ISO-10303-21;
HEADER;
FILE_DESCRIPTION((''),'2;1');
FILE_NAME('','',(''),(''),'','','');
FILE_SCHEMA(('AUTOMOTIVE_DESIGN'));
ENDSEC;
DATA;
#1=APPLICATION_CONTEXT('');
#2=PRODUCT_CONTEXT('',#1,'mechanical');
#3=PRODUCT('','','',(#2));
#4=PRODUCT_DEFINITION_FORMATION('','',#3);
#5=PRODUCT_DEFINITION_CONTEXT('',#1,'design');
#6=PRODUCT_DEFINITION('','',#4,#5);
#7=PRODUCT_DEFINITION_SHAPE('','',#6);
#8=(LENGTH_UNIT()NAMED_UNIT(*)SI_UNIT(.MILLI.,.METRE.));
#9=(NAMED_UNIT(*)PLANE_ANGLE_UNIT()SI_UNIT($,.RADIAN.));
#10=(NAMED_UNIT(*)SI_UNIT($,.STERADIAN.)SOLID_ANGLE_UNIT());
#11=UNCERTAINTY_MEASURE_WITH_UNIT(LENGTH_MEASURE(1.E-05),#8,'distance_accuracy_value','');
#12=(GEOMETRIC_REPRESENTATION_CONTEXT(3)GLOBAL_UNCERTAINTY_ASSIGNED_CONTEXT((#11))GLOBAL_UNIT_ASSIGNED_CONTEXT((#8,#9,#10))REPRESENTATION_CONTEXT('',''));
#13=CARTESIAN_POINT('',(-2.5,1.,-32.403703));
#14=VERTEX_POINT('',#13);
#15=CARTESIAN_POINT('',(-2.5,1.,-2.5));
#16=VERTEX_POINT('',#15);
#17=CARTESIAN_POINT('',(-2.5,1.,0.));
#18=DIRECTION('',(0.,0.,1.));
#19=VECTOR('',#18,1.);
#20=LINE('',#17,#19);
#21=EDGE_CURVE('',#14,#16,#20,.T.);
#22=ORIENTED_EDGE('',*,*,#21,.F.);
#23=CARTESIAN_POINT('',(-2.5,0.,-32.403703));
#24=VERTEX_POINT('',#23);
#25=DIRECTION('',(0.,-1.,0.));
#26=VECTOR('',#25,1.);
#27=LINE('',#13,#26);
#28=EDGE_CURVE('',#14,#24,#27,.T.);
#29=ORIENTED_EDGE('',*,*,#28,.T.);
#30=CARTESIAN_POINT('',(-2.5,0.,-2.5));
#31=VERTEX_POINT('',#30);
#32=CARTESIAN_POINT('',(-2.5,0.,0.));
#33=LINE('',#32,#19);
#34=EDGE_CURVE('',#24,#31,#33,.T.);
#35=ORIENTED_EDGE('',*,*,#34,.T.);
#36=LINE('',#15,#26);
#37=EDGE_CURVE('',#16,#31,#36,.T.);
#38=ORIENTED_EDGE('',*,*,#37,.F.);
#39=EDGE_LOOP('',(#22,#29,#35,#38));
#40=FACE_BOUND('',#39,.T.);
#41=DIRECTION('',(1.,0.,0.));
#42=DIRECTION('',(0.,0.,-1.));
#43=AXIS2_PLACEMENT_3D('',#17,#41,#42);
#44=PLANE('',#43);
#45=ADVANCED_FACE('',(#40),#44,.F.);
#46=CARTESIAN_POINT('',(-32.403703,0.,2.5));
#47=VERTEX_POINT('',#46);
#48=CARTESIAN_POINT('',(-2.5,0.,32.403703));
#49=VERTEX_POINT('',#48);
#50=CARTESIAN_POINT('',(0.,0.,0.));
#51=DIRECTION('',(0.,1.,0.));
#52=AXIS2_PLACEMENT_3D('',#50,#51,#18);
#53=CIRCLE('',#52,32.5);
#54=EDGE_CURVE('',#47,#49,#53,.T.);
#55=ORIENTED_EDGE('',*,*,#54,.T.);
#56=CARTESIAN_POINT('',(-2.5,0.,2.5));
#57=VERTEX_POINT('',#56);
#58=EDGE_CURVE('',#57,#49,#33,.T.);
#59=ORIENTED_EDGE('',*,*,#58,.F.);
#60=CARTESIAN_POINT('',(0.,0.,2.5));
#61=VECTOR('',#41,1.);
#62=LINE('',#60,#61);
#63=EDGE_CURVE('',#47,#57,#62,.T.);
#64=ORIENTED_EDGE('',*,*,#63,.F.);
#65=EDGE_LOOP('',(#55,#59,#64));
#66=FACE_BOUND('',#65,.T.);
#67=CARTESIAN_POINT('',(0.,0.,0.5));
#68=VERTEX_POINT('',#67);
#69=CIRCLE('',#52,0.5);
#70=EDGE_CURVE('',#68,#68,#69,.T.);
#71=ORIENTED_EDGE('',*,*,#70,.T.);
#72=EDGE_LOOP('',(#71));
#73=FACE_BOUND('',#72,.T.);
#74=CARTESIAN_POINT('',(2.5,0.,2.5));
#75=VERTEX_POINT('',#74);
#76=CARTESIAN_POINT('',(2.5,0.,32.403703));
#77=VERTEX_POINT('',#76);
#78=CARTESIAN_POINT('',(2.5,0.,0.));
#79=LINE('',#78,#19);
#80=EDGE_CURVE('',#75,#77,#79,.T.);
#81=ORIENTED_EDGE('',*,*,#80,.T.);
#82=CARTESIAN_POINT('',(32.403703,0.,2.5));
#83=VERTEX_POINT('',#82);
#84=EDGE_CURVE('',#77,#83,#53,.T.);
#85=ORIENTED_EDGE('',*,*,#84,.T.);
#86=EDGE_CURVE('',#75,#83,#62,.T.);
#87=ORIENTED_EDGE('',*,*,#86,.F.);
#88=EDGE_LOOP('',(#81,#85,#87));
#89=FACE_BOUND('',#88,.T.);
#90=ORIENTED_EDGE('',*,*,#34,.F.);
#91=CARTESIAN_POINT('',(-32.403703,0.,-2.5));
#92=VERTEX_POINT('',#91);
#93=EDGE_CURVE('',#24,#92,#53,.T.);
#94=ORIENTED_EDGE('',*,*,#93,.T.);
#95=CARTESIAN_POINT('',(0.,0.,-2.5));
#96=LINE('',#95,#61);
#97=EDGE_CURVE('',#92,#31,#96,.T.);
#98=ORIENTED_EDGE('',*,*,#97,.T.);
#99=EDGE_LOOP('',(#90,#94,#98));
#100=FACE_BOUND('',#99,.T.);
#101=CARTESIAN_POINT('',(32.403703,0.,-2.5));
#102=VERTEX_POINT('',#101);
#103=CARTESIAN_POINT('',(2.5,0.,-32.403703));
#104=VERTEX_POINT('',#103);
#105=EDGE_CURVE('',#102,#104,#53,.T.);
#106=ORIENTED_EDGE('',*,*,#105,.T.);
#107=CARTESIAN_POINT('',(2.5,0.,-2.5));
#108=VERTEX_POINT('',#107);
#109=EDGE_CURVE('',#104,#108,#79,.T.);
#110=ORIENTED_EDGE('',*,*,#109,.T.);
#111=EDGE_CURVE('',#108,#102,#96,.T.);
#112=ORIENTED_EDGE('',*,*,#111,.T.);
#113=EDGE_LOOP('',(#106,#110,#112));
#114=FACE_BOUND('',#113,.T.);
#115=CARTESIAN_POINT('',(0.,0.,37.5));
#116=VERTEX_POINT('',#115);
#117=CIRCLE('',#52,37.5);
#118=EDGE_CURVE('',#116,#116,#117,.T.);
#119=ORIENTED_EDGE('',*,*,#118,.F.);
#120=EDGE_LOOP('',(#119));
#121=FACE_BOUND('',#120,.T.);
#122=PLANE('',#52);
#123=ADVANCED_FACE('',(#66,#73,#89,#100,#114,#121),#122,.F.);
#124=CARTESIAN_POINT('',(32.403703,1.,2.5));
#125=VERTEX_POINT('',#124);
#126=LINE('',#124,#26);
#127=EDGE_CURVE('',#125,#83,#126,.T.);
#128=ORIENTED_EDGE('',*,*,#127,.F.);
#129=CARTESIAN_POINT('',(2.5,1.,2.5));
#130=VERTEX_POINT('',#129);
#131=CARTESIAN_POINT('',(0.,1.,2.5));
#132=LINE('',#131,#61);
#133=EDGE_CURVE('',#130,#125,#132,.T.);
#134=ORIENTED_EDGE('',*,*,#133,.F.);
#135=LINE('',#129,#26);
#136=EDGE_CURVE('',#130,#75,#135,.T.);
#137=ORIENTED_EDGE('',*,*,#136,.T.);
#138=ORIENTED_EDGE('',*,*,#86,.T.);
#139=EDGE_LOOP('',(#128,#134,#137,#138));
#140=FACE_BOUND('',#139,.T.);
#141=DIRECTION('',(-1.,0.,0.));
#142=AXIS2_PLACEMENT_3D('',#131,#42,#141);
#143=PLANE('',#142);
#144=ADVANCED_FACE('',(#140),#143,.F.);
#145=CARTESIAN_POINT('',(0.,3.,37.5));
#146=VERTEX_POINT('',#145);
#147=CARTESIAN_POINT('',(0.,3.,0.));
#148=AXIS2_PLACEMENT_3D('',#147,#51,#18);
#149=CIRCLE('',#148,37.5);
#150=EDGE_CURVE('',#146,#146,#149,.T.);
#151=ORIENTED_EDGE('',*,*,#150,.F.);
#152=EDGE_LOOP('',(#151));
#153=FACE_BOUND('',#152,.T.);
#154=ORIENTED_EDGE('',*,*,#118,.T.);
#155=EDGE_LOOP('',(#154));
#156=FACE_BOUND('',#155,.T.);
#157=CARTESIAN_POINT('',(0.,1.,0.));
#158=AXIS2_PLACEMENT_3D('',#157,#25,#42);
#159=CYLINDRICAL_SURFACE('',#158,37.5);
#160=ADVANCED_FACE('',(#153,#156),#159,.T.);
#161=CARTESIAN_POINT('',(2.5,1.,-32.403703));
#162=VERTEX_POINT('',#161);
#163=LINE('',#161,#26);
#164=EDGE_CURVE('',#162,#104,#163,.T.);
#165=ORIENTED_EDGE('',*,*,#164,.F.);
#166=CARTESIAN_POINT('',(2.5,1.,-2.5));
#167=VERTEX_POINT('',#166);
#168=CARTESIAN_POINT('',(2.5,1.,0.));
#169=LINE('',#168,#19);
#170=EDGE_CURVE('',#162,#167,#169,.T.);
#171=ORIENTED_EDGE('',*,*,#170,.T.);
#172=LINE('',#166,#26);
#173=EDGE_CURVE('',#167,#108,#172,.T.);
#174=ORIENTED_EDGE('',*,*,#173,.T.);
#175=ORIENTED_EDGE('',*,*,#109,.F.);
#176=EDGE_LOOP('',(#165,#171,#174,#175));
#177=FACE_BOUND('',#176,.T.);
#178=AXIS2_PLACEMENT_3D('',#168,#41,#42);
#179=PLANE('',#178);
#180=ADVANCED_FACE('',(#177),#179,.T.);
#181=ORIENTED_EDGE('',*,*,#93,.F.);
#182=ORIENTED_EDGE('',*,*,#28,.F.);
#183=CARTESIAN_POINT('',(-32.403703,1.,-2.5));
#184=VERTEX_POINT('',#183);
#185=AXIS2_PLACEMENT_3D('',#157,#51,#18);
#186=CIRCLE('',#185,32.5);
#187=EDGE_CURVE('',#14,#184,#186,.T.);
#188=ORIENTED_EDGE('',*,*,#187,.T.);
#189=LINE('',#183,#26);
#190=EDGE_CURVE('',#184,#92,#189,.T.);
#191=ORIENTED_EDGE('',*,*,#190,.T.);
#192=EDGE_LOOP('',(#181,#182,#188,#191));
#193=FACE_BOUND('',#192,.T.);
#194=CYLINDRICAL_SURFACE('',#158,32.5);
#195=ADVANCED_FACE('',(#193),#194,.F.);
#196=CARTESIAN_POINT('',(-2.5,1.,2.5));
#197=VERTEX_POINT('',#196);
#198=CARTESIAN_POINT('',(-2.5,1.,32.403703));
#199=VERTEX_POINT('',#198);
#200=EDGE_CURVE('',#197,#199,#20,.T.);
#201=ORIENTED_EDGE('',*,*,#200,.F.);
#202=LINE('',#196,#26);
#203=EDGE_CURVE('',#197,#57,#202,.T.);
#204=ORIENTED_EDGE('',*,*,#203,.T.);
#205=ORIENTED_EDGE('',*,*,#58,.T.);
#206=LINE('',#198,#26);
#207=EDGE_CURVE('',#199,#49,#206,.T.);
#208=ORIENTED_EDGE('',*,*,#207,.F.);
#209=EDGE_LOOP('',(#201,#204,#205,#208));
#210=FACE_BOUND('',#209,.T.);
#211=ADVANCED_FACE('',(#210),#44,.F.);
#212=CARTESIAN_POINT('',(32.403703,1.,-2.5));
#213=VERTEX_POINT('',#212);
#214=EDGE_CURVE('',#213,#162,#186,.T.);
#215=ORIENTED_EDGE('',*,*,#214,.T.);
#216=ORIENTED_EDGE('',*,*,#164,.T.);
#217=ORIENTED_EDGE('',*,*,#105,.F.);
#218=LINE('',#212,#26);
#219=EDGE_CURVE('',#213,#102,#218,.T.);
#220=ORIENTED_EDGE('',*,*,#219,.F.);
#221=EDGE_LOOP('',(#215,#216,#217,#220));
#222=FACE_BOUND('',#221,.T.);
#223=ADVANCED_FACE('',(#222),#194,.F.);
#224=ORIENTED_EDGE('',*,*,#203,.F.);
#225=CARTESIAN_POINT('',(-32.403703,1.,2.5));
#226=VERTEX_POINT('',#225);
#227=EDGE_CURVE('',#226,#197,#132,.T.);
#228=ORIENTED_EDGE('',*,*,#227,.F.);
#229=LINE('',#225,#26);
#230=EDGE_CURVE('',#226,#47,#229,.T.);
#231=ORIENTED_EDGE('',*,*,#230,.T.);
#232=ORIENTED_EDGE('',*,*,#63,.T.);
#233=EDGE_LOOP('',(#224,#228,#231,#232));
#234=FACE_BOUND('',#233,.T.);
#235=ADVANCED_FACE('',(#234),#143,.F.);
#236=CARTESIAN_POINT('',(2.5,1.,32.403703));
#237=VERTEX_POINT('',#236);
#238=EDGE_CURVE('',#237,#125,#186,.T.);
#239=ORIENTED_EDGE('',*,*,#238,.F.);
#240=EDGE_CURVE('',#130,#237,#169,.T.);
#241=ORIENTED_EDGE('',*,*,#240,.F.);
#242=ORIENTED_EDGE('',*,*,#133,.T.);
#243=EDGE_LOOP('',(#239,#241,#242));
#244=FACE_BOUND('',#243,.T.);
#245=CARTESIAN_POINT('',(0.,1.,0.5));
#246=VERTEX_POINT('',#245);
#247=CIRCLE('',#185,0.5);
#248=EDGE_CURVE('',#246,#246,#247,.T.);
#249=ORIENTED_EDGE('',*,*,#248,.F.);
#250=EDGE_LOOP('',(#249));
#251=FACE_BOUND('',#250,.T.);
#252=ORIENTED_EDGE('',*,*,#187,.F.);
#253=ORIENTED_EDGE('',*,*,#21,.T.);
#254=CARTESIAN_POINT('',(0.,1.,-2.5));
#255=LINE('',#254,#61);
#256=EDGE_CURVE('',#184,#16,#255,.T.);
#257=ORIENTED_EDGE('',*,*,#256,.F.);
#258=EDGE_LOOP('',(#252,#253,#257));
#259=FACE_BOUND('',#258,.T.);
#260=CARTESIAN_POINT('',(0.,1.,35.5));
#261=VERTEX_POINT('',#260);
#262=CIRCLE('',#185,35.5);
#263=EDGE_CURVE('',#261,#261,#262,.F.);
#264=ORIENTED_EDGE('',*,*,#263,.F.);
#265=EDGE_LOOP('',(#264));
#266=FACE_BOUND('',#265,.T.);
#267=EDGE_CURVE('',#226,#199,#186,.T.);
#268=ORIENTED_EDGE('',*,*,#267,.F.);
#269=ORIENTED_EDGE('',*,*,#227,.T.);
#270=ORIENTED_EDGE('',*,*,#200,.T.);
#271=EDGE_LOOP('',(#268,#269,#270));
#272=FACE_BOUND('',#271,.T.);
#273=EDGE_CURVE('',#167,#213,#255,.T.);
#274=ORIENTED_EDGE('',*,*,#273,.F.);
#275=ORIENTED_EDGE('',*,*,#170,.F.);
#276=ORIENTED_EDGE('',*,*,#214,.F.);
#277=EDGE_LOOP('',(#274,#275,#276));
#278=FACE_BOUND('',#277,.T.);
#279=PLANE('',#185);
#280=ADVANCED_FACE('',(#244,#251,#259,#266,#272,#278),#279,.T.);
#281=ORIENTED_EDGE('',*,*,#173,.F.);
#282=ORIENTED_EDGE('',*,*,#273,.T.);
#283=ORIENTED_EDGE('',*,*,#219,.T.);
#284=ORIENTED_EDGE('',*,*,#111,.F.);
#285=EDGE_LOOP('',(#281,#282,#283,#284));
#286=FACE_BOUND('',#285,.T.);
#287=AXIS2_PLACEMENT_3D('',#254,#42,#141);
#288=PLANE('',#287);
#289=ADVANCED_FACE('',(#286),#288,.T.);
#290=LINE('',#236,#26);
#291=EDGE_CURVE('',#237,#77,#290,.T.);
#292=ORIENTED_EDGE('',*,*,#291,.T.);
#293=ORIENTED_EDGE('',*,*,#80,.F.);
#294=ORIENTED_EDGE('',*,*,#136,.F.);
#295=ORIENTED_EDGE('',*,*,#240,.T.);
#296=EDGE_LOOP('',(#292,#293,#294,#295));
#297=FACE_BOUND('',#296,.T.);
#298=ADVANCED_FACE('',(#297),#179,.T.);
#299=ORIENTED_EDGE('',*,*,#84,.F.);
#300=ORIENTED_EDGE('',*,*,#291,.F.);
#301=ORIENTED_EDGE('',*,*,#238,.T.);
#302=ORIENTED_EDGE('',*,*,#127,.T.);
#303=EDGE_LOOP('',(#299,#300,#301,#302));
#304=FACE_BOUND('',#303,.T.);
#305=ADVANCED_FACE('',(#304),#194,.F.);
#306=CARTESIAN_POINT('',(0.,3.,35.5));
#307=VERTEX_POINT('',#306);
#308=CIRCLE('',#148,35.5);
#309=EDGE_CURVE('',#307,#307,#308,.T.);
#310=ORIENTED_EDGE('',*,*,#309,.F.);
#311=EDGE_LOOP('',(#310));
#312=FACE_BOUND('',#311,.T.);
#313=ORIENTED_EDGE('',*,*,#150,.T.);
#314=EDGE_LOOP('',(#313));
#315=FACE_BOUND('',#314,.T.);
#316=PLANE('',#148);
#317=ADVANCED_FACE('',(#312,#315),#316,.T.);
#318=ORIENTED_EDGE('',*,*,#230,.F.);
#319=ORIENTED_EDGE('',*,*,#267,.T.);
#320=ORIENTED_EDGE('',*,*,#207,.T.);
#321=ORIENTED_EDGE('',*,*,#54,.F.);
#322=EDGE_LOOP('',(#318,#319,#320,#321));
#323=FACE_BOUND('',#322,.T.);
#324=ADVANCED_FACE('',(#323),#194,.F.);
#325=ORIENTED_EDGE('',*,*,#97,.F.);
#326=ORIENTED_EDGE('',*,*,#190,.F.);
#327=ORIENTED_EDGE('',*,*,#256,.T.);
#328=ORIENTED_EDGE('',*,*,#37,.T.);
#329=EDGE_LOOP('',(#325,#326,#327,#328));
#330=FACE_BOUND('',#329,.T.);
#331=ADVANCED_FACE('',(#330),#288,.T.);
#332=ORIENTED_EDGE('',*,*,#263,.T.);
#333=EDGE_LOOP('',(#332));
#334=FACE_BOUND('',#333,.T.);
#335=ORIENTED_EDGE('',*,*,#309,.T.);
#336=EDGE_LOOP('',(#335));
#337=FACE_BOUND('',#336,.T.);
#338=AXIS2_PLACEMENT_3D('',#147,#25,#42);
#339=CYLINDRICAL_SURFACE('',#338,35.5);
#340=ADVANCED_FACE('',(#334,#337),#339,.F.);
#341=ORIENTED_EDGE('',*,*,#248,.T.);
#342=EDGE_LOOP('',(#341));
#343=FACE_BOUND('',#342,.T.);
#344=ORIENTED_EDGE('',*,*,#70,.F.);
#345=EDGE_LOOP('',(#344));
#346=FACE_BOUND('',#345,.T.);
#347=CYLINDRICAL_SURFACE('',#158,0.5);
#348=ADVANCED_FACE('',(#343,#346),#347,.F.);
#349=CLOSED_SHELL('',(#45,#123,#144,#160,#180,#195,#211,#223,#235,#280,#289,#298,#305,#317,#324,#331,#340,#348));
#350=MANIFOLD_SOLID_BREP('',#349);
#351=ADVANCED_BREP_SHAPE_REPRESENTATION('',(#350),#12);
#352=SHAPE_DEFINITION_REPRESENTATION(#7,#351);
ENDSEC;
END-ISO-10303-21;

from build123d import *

# Parameters (mm, degrees)
SKETCH1_R           = 37.5
SKETCH1_R_2         = 32.5
SKETCH1_W           = 5
SKETCH1_H           = 5
SKETCH1_R_3         = 0.5
BOSS_EXTRUDE1_DEPTH = 1
SKETCH2_R           = 37.5
SKETCH2_R_2         = 35.5
BOSS_EXTRUDE2_DEPTH = 2


with BuildPart() as part:
    # Sketch1 → Boss-Extrude1 (new body)
    # profile 1 of 6: a face of its own
    with BuildSketch(Plane(origin=(0, 0, 0), x_dir=(1, 0, 0), z_dir=(0, 1, 0))):
        with Locations(Location((0, 0, 0), (0, 0, 270))):
            Circle(SKETCH1_R)
        Circle(SKETCH1_R_2, mode=Mode.SUBTRACT)
    # profile 2 of 6: a face of its own
    with BuildSketch(Plane(origin=(0, 0, 0), x_dir=(1, 0, 0), z_dir=(0, 1, 0))):
        with BuildLine():
            ThreePointArc((2.5, 32.403703492), (0, 32.5), (-2.5, 32.403703492))
            Line((-2.5, 32.403703492), (-2.5, 2.5))
            Line((-2.5, 2.5), (2.5, 2.5))
            Line((2.5, 2.5), (2.5, 32.403703492))
        make_face()
    # profile 3 of 6: a face of its own
    with BuildSketch(Plane(origin=(0, 0, 0), x_dir=(1, 0, 0), z_dir=(0, 1, 0))):
        with BuildLine():
            Line((2.5, -2.5), (-2.5, -2.5))
            Line((-2.5, -2.5), (-2.5, -32.403703492))
            ThreePointArc((-2.5, -32.403703492), (0, -32.5), (2.5, -32.403703492))
            Line((2.5, -32.403703492), (2.5, -2.5))
        make_face()
    # profile 4 of 6: a face of its own
    with BuildSketch(Plane(origin=(0, 0, 0), x_dir=(1, 0, 0), z_dir=(0, 1, 0))):
        with BuildLine():
            Line((-2.5, -2.5), (-2.5, 2.5))
            Line((-2.5, 2.5), (-32.403703492, 2.5))
            ThreePointArc((-32.403703492, 2.5), (-32.5, 0), (-32.403703492, -2.5))
            Line((-32.403703492, -2.5), (-2.5, -2.5))
        make_face()
    # profile 5 of 6: a face of its own
    with BuildSketch(Plane(origin=(0, 0, 0), x_dir=(1, 0, 0), z_dir=(0, 1, 0))):
        with BuildLine():
            Line((32.403703492, 2.5), (2.5, 2.5))
            Line((2.5, 2.5), (2.5, -2.5))
            Line((2.5, -2.5), (32.403703492, -2.5))
            ThreePointArc((32.403703492, -2.5), (32.47591695, -1.250926958), (32.5, 0))
            ThreePointArc((32.5, 0), (32.47591695, 1.250926958), (32.403703492, 2.5))
        make_face()
    # profile 6 of 6: a face of its own
    with BuildSketch(Plane(origin=(0, 0, 0), x_dir=(1, 0, 0), z_dir=(0, 1, 0))):
        Rectangle(SKETCH1_W, SKETCH1_H)
        with Locations(Location((0, 0, 0), (0, 0, 270))):
            Circle(SKETCH1_R_3, mode=Mode.SUBTRACT)
    extrude(amount=BOSS_EXTRUDE1_DEPTH)

    # Sketch2 → Boss-Extrude2 (add)
    with BuildSketch(Plane(origin=(0, 1, 0), x_dir=(1, 0, 0), z_dir=(0, 1, 0))):
        with Locations(Location((0, 0, 0), (0, 0, 270))):
            Circle(SKETCH2_R)
        with Locations(Location((0, 0, 0), (0, 0, 270))):
            Circle(SKETCH2_R_2, mode=Mode.SUBTRACT)
    extrude(amount=BOSS_EXTRUDE2_DEPTH)


solid = part.part
